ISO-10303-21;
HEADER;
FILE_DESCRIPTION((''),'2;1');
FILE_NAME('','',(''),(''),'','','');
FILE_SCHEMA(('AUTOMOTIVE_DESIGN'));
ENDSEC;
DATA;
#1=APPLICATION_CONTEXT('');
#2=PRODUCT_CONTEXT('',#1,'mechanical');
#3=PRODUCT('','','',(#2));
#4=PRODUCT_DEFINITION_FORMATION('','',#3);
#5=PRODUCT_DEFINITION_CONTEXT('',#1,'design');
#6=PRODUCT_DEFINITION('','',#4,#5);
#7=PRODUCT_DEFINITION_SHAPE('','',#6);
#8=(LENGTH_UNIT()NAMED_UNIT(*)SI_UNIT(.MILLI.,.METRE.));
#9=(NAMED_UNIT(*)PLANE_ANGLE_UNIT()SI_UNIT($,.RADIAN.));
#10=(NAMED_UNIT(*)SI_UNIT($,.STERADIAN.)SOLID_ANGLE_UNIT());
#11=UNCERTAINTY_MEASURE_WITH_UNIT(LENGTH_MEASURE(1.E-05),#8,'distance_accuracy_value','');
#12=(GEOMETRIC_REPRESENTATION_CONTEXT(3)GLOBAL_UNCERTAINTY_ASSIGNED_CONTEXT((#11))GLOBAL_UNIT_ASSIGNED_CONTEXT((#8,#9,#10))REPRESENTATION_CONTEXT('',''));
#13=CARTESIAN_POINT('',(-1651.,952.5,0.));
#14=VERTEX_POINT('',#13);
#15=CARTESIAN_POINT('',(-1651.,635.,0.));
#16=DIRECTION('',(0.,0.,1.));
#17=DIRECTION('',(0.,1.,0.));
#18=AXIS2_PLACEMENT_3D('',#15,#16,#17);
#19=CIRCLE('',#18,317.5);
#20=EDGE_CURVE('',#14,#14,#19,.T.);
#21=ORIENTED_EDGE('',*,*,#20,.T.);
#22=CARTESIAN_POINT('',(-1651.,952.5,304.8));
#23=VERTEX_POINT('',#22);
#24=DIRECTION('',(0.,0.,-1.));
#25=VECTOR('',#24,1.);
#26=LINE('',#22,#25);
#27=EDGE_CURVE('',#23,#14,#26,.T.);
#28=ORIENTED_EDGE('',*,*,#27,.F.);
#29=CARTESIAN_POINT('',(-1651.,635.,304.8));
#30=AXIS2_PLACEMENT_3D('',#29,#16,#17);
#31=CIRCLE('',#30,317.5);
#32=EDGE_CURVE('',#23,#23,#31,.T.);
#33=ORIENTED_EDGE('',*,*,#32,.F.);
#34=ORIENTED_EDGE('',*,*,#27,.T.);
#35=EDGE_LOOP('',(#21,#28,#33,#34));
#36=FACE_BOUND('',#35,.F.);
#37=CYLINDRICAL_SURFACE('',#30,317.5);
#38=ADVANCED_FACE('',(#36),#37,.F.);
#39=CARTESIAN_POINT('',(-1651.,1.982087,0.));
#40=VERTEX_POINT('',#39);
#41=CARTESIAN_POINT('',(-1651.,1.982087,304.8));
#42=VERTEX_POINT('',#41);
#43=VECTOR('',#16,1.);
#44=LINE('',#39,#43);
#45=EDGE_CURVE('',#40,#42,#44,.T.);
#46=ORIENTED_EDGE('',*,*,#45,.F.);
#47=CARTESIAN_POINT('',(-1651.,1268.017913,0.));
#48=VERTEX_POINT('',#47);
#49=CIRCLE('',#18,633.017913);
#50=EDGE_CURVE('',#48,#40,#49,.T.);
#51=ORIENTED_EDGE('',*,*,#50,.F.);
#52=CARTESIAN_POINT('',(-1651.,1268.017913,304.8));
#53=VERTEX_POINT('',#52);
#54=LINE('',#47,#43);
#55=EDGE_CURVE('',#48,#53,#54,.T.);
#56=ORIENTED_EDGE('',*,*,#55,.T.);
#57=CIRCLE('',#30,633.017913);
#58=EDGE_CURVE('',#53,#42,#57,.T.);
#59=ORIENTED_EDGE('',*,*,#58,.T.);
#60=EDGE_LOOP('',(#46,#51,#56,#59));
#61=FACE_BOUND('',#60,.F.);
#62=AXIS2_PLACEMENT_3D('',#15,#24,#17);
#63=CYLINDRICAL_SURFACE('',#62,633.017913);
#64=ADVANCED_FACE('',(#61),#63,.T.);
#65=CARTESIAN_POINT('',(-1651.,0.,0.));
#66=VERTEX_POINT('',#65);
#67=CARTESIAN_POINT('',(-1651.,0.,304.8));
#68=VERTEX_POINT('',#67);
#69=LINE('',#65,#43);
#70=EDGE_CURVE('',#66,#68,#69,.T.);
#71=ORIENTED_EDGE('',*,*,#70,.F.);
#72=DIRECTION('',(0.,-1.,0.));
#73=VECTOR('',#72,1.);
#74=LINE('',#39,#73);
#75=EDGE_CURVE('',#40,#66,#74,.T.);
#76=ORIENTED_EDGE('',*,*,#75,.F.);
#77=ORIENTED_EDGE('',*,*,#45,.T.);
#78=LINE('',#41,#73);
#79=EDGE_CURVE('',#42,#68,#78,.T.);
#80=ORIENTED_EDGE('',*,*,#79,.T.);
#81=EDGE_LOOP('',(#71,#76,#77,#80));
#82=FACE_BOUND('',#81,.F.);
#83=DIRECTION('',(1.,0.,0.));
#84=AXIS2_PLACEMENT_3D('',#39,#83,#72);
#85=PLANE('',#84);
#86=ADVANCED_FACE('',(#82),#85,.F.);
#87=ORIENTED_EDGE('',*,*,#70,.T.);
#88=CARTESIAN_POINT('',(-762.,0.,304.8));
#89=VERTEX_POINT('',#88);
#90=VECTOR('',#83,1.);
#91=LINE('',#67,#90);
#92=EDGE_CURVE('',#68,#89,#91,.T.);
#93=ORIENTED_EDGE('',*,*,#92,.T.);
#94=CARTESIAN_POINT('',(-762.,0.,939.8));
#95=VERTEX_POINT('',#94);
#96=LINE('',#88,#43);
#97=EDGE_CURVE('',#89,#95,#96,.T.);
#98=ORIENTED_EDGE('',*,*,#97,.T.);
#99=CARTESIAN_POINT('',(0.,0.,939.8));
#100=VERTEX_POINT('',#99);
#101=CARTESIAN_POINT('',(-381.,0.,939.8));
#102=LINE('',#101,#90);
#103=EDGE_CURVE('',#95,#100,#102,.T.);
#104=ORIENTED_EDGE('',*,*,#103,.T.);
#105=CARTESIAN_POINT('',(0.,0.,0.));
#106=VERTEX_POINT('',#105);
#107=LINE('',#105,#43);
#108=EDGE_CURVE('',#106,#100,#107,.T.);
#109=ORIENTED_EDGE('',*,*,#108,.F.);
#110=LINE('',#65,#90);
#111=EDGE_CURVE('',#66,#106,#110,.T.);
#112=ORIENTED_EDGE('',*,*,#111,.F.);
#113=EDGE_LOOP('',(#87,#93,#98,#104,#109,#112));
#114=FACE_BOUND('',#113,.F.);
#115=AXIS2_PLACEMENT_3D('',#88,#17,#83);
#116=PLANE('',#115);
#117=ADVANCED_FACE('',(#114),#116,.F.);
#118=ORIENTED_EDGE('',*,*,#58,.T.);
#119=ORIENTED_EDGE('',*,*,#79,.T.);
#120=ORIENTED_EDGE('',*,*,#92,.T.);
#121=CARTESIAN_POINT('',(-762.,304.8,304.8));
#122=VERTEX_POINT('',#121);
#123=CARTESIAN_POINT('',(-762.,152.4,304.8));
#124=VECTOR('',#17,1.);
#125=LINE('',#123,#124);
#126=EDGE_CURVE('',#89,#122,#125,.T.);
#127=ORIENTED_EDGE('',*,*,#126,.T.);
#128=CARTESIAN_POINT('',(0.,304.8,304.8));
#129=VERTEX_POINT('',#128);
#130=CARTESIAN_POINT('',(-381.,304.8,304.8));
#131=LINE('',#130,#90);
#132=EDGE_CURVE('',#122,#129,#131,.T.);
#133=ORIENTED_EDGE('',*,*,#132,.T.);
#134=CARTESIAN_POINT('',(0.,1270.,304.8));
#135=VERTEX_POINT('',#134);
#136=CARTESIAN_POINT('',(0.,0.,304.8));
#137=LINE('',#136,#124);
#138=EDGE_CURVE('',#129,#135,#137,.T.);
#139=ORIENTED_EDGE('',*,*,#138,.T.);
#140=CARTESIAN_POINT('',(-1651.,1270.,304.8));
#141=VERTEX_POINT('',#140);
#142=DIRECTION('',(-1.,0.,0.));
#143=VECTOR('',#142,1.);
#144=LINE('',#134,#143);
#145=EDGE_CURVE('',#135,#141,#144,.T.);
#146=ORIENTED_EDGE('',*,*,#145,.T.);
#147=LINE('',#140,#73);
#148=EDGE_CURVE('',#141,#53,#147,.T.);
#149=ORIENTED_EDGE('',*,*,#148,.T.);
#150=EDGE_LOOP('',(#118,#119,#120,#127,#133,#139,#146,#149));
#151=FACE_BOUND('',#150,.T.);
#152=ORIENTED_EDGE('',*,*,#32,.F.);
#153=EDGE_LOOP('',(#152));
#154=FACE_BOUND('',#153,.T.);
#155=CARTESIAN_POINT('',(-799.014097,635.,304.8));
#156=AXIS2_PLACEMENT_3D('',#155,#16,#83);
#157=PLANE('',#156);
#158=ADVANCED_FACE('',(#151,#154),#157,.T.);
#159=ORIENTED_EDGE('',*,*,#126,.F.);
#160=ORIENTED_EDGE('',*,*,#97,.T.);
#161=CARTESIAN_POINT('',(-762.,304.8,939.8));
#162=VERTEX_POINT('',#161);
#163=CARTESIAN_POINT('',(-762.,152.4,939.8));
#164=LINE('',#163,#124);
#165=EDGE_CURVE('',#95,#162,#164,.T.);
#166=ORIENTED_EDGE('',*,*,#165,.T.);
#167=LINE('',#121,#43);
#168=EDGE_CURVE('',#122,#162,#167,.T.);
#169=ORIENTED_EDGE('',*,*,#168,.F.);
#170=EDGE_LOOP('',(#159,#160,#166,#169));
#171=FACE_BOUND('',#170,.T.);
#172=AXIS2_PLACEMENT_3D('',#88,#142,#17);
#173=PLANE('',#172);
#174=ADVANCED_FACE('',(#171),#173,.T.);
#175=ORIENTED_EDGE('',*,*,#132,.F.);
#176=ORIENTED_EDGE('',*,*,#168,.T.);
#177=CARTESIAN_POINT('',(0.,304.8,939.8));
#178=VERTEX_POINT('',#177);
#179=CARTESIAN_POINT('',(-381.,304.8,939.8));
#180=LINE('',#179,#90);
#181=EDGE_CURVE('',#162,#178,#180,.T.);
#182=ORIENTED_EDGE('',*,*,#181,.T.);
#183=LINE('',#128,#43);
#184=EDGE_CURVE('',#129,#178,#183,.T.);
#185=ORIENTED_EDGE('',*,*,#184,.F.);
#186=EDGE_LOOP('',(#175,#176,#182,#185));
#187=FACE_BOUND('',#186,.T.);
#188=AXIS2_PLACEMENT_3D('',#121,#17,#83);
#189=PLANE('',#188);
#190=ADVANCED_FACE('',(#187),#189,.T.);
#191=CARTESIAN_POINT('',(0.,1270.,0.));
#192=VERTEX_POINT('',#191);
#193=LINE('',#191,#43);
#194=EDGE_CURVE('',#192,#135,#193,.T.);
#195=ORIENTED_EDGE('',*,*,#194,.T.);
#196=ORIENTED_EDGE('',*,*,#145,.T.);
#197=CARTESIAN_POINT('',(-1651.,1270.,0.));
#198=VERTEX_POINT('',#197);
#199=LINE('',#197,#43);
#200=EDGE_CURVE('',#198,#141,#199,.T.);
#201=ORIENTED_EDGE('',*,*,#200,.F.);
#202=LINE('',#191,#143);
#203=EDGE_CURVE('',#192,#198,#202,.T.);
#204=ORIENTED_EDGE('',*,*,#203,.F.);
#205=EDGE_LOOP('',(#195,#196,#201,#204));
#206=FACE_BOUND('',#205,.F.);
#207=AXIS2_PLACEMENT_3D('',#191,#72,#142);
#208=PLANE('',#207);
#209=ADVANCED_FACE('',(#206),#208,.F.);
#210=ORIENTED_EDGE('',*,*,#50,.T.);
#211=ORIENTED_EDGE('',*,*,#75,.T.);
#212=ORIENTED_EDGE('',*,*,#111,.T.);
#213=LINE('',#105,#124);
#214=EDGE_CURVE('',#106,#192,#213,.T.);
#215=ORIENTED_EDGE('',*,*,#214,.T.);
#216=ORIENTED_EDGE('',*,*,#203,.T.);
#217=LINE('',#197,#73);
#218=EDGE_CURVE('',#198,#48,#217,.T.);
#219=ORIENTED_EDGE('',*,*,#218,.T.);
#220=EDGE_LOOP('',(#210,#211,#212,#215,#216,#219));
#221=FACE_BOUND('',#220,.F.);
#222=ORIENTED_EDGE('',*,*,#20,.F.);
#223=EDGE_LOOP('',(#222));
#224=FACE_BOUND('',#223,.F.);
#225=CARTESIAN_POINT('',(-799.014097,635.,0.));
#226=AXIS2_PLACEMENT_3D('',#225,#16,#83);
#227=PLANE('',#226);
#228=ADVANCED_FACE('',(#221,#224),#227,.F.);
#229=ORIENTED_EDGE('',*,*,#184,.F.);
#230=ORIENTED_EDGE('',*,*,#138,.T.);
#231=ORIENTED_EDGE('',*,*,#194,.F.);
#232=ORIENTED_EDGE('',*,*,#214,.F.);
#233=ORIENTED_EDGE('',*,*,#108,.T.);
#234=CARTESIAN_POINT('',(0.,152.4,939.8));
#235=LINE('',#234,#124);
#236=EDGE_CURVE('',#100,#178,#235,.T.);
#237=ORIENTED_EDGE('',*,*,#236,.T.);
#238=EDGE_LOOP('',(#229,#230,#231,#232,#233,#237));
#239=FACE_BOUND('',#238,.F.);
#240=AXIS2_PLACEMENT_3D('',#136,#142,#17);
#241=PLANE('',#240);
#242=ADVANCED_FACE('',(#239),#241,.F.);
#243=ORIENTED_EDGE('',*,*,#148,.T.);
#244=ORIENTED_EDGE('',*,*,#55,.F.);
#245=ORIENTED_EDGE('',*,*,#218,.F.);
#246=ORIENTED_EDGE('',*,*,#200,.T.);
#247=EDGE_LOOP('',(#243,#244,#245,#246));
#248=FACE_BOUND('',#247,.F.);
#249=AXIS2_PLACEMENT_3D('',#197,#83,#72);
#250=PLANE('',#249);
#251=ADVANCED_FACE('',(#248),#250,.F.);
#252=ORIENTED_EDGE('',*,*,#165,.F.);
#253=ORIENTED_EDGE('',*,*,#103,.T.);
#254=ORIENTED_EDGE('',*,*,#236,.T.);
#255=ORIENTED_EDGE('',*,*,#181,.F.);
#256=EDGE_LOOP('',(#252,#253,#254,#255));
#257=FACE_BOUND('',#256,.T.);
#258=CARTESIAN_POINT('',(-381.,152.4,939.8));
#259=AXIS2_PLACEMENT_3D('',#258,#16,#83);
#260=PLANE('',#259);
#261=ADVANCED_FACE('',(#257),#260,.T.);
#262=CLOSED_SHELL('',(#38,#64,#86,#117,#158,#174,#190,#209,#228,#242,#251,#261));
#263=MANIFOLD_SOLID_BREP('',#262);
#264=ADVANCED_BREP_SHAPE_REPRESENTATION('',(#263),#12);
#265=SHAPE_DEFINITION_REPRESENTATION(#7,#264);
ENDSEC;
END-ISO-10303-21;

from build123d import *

# Parameters (mm, degrees)
F1_DEPTH = 304.8
F3_DEPTH = 2540
F4_W     = 762
F4_H     = 304.8
F5_DEPTH = 635


with BuildPart() as f1:
    # F0 (on Top) → F1 (new body)
    with BuildSketch(Plane.XY):
        with BuildLine():
            Line((-1651, 0), (0, 0))
            Line((0, 0), (0, 1270))
            Line((0, 1270), (-1651, 1270))
            Line((-1651, 1270), (-1651, 1268.0179134988))
            ThreePointArc((-1651, 1268.0179134988), (-1203.3887407525, 1082.6112592476), (-1017.9820865012, 635))
            ThreePointArc((-1017.9820865012, 635), (-1203.3887407525, 187.3887407524), (-1651, 1.9820865012))
            Line((-1651, 1.9820865012), (-1651, 0))
        make_face()
        with BuildLine():
            ThreePointArc((-1651, 1268.0179134988), (-2284.0179134988, 635), (-1651, 1.9820865012))
            Line((-1651, 1.9820865012), (-1651, 1268.0179134988))
        make_face()
        with BuildLine():
            Line((-1651, 1268.0179134988), (-1651, 1.9820865012))
            ThreePointArc((-1651, 1.9820865012), (-1203.3887407525, 187.3887407524), (-1017.9820865012, 635))
            ThreePointArc((-1017.9820865012, 635), (-1203.3887407525, 1082.6112592476), (-1651, 1268.0179134988))
        make_face()
    extrude(amount=F1_DEPTH)

    # F2 (on face) → F3 (cut)
    with BuildSketch(Plane.XY.offset(304.8)):
        with BuildLine():
            ThreePointArc((-1333.5, 635), (-1426.4935969733, 859.5064030267), (-1651, 952.5))
            Line((-1651, 952.5), (-1651, 317.5))
            ThreePointArc((-1651, 317.5), (-1426.4935969733, 410.4935969733), (-1333.5, 635))
        make_face()
        with BuildLine():
            Line((-1651, 317.5), (-1651, 952.5))
            ThreePointArc((-1651, 952.5), (-1968.5, 635), (-1651, 317.5))
        make_face()
    extrude(amount=-F3_DEPTH, mode=Mode.SUBTRACT)

    # F4 (on face) → F5 (join)
    with BuildSketch(Plane.XY.offset(304.8)):
        with Locations((-381, 152.4)):
            Rectangle(F4_W, F4_H)
    extrude(amount=F5_DEPTH)


solid = f1.part
